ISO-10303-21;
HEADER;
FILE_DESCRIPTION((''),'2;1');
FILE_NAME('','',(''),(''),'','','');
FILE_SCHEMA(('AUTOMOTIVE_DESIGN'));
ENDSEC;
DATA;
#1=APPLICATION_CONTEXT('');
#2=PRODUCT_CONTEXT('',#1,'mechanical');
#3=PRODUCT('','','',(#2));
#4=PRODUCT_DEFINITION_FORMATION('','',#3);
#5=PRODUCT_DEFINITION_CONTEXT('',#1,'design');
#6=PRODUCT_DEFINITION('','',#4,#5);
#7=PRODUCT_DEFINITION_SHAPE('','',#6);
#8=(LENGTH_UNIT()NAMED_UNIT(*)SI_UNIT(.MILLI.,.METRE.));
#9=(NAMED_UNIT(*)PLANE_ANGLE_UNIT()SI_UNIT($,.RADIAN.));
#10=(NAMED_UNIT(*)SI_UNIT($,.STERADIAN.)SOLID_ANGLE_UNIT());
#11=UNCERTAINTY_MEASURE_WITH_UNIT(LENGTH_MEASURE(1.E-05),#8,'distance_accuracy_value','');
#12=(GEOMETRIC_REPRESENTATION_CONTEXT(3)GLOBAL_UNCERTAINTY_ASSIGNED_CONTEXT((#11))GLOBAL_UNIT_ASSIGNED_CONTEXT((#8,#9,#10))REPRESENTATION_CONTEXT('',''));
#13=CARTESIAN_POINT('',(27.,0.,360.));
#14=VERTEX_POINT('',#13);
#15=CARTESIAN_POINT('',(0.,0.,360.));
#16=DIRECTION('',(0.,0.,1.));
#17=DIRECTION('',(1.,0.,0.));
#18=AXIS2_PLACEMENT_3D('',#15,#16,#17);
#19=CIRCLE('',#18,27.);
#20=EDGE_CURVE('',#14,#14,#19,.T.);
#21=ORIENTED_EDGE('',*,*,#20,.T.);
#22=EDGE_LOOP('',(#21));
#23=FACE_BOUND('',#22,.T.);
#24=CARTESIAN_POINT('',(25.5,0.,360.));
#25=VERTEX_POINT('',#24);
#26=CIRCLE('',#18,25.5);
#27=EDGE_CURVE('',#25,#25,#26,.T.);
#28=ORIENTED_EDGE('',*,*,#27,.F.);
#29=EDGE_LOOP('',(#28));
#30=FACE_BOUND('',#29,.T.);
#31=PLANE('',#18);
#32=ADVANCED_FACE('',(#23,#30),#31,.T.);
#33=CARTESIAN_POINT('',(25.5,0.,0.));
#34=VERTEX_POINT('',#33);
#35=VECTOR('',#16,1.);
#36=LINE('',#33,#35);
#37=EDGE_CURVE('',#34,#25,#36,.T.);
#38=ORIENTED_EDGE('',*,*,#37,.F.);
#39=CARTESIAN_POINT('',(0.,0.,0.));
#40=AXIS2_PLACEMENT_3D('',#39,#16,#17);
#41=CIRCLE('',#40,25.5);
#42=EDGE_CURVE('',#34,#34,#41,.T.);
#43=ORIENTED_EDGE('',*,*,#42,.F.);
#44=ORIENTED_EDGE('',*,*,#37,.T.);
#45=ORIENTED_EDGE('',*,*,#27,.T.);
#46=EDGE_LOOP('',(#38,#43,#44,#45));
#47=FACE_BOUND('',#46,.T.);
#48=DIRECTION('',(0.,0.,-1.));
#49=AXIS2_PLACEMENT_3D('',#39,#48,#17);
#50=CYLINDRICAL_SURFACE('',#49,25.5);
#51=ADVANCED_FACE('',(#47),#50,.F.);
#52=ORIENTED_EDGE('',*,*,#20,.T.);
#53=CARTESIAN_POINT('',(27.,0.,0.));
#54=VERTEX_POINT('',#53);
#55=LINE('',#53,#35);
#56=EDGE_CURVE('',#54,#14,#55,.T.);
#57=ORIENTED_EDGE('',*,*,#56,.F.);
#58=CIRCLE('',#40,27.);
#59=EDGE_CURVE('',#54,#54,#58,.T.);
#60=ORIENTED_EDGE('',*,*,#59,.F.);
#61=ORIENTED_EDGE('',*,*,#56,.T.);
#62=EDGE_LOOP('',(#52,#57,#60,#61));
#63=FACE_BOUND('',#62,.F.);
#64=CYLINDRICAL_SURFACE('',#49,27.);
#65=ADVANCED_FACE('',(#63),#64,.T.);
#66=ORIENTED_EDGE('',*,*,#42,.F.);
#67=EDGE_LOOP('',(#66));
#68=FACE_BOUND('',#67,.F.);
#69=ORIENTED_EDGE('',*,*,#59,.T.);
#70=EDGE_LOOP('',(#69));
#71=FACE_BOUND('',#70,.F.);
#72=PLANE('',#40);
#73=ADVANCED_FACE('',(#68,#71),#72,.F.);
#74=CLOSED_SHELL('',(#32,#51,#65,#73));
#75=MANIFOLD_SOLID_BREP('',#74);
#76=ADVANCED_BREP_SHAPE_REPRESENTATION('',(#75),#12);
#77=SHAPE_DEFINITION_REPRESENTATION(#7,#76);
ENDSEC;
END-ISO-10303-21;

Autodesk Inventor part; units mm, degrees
ref_plane "YZ Plane" through (0, 0, 0) normal (1, 0, 0) x (0, 1, 0)
ref_plane "XZ Plane" through (0, 0, 0) normal (0, 1, 0) x (-1, 0, 0)
ref_plane "XY Plane" through (0, 0, 0) normal (0, 0, 1) x (1, 0, 0)
sketch "Concentric_Tube_Section" plane through (0, 0, 0) normal (0, 0, 1) x (1, 0, 0)
  circle A0 centre (0, 0) radius 27
  circle A1 centre (0, 0) radius 25.5
  dimension "d0" = 54
  dimension "d1" = 51
extrude "Open_Ended_Cylindrical_Sleeve" add sketch "Concentric_Tube_Section" along normal blind 360
equation "\"d0\" = OuterDiameter"
equation "\"d1\" = InnerDiameter"
equation "\"d2\" = TubeLength"
equation "\"InnerDiameter\" = 51"
equation "\"OuterDiameter\" = 54"
equation "\"TubeLength\" = 360"
equation "\"WallThickness\" = -0.5 * InnerDiameter + 0.5 * OuterDiameter"
properties part number "Probe_Tube"
